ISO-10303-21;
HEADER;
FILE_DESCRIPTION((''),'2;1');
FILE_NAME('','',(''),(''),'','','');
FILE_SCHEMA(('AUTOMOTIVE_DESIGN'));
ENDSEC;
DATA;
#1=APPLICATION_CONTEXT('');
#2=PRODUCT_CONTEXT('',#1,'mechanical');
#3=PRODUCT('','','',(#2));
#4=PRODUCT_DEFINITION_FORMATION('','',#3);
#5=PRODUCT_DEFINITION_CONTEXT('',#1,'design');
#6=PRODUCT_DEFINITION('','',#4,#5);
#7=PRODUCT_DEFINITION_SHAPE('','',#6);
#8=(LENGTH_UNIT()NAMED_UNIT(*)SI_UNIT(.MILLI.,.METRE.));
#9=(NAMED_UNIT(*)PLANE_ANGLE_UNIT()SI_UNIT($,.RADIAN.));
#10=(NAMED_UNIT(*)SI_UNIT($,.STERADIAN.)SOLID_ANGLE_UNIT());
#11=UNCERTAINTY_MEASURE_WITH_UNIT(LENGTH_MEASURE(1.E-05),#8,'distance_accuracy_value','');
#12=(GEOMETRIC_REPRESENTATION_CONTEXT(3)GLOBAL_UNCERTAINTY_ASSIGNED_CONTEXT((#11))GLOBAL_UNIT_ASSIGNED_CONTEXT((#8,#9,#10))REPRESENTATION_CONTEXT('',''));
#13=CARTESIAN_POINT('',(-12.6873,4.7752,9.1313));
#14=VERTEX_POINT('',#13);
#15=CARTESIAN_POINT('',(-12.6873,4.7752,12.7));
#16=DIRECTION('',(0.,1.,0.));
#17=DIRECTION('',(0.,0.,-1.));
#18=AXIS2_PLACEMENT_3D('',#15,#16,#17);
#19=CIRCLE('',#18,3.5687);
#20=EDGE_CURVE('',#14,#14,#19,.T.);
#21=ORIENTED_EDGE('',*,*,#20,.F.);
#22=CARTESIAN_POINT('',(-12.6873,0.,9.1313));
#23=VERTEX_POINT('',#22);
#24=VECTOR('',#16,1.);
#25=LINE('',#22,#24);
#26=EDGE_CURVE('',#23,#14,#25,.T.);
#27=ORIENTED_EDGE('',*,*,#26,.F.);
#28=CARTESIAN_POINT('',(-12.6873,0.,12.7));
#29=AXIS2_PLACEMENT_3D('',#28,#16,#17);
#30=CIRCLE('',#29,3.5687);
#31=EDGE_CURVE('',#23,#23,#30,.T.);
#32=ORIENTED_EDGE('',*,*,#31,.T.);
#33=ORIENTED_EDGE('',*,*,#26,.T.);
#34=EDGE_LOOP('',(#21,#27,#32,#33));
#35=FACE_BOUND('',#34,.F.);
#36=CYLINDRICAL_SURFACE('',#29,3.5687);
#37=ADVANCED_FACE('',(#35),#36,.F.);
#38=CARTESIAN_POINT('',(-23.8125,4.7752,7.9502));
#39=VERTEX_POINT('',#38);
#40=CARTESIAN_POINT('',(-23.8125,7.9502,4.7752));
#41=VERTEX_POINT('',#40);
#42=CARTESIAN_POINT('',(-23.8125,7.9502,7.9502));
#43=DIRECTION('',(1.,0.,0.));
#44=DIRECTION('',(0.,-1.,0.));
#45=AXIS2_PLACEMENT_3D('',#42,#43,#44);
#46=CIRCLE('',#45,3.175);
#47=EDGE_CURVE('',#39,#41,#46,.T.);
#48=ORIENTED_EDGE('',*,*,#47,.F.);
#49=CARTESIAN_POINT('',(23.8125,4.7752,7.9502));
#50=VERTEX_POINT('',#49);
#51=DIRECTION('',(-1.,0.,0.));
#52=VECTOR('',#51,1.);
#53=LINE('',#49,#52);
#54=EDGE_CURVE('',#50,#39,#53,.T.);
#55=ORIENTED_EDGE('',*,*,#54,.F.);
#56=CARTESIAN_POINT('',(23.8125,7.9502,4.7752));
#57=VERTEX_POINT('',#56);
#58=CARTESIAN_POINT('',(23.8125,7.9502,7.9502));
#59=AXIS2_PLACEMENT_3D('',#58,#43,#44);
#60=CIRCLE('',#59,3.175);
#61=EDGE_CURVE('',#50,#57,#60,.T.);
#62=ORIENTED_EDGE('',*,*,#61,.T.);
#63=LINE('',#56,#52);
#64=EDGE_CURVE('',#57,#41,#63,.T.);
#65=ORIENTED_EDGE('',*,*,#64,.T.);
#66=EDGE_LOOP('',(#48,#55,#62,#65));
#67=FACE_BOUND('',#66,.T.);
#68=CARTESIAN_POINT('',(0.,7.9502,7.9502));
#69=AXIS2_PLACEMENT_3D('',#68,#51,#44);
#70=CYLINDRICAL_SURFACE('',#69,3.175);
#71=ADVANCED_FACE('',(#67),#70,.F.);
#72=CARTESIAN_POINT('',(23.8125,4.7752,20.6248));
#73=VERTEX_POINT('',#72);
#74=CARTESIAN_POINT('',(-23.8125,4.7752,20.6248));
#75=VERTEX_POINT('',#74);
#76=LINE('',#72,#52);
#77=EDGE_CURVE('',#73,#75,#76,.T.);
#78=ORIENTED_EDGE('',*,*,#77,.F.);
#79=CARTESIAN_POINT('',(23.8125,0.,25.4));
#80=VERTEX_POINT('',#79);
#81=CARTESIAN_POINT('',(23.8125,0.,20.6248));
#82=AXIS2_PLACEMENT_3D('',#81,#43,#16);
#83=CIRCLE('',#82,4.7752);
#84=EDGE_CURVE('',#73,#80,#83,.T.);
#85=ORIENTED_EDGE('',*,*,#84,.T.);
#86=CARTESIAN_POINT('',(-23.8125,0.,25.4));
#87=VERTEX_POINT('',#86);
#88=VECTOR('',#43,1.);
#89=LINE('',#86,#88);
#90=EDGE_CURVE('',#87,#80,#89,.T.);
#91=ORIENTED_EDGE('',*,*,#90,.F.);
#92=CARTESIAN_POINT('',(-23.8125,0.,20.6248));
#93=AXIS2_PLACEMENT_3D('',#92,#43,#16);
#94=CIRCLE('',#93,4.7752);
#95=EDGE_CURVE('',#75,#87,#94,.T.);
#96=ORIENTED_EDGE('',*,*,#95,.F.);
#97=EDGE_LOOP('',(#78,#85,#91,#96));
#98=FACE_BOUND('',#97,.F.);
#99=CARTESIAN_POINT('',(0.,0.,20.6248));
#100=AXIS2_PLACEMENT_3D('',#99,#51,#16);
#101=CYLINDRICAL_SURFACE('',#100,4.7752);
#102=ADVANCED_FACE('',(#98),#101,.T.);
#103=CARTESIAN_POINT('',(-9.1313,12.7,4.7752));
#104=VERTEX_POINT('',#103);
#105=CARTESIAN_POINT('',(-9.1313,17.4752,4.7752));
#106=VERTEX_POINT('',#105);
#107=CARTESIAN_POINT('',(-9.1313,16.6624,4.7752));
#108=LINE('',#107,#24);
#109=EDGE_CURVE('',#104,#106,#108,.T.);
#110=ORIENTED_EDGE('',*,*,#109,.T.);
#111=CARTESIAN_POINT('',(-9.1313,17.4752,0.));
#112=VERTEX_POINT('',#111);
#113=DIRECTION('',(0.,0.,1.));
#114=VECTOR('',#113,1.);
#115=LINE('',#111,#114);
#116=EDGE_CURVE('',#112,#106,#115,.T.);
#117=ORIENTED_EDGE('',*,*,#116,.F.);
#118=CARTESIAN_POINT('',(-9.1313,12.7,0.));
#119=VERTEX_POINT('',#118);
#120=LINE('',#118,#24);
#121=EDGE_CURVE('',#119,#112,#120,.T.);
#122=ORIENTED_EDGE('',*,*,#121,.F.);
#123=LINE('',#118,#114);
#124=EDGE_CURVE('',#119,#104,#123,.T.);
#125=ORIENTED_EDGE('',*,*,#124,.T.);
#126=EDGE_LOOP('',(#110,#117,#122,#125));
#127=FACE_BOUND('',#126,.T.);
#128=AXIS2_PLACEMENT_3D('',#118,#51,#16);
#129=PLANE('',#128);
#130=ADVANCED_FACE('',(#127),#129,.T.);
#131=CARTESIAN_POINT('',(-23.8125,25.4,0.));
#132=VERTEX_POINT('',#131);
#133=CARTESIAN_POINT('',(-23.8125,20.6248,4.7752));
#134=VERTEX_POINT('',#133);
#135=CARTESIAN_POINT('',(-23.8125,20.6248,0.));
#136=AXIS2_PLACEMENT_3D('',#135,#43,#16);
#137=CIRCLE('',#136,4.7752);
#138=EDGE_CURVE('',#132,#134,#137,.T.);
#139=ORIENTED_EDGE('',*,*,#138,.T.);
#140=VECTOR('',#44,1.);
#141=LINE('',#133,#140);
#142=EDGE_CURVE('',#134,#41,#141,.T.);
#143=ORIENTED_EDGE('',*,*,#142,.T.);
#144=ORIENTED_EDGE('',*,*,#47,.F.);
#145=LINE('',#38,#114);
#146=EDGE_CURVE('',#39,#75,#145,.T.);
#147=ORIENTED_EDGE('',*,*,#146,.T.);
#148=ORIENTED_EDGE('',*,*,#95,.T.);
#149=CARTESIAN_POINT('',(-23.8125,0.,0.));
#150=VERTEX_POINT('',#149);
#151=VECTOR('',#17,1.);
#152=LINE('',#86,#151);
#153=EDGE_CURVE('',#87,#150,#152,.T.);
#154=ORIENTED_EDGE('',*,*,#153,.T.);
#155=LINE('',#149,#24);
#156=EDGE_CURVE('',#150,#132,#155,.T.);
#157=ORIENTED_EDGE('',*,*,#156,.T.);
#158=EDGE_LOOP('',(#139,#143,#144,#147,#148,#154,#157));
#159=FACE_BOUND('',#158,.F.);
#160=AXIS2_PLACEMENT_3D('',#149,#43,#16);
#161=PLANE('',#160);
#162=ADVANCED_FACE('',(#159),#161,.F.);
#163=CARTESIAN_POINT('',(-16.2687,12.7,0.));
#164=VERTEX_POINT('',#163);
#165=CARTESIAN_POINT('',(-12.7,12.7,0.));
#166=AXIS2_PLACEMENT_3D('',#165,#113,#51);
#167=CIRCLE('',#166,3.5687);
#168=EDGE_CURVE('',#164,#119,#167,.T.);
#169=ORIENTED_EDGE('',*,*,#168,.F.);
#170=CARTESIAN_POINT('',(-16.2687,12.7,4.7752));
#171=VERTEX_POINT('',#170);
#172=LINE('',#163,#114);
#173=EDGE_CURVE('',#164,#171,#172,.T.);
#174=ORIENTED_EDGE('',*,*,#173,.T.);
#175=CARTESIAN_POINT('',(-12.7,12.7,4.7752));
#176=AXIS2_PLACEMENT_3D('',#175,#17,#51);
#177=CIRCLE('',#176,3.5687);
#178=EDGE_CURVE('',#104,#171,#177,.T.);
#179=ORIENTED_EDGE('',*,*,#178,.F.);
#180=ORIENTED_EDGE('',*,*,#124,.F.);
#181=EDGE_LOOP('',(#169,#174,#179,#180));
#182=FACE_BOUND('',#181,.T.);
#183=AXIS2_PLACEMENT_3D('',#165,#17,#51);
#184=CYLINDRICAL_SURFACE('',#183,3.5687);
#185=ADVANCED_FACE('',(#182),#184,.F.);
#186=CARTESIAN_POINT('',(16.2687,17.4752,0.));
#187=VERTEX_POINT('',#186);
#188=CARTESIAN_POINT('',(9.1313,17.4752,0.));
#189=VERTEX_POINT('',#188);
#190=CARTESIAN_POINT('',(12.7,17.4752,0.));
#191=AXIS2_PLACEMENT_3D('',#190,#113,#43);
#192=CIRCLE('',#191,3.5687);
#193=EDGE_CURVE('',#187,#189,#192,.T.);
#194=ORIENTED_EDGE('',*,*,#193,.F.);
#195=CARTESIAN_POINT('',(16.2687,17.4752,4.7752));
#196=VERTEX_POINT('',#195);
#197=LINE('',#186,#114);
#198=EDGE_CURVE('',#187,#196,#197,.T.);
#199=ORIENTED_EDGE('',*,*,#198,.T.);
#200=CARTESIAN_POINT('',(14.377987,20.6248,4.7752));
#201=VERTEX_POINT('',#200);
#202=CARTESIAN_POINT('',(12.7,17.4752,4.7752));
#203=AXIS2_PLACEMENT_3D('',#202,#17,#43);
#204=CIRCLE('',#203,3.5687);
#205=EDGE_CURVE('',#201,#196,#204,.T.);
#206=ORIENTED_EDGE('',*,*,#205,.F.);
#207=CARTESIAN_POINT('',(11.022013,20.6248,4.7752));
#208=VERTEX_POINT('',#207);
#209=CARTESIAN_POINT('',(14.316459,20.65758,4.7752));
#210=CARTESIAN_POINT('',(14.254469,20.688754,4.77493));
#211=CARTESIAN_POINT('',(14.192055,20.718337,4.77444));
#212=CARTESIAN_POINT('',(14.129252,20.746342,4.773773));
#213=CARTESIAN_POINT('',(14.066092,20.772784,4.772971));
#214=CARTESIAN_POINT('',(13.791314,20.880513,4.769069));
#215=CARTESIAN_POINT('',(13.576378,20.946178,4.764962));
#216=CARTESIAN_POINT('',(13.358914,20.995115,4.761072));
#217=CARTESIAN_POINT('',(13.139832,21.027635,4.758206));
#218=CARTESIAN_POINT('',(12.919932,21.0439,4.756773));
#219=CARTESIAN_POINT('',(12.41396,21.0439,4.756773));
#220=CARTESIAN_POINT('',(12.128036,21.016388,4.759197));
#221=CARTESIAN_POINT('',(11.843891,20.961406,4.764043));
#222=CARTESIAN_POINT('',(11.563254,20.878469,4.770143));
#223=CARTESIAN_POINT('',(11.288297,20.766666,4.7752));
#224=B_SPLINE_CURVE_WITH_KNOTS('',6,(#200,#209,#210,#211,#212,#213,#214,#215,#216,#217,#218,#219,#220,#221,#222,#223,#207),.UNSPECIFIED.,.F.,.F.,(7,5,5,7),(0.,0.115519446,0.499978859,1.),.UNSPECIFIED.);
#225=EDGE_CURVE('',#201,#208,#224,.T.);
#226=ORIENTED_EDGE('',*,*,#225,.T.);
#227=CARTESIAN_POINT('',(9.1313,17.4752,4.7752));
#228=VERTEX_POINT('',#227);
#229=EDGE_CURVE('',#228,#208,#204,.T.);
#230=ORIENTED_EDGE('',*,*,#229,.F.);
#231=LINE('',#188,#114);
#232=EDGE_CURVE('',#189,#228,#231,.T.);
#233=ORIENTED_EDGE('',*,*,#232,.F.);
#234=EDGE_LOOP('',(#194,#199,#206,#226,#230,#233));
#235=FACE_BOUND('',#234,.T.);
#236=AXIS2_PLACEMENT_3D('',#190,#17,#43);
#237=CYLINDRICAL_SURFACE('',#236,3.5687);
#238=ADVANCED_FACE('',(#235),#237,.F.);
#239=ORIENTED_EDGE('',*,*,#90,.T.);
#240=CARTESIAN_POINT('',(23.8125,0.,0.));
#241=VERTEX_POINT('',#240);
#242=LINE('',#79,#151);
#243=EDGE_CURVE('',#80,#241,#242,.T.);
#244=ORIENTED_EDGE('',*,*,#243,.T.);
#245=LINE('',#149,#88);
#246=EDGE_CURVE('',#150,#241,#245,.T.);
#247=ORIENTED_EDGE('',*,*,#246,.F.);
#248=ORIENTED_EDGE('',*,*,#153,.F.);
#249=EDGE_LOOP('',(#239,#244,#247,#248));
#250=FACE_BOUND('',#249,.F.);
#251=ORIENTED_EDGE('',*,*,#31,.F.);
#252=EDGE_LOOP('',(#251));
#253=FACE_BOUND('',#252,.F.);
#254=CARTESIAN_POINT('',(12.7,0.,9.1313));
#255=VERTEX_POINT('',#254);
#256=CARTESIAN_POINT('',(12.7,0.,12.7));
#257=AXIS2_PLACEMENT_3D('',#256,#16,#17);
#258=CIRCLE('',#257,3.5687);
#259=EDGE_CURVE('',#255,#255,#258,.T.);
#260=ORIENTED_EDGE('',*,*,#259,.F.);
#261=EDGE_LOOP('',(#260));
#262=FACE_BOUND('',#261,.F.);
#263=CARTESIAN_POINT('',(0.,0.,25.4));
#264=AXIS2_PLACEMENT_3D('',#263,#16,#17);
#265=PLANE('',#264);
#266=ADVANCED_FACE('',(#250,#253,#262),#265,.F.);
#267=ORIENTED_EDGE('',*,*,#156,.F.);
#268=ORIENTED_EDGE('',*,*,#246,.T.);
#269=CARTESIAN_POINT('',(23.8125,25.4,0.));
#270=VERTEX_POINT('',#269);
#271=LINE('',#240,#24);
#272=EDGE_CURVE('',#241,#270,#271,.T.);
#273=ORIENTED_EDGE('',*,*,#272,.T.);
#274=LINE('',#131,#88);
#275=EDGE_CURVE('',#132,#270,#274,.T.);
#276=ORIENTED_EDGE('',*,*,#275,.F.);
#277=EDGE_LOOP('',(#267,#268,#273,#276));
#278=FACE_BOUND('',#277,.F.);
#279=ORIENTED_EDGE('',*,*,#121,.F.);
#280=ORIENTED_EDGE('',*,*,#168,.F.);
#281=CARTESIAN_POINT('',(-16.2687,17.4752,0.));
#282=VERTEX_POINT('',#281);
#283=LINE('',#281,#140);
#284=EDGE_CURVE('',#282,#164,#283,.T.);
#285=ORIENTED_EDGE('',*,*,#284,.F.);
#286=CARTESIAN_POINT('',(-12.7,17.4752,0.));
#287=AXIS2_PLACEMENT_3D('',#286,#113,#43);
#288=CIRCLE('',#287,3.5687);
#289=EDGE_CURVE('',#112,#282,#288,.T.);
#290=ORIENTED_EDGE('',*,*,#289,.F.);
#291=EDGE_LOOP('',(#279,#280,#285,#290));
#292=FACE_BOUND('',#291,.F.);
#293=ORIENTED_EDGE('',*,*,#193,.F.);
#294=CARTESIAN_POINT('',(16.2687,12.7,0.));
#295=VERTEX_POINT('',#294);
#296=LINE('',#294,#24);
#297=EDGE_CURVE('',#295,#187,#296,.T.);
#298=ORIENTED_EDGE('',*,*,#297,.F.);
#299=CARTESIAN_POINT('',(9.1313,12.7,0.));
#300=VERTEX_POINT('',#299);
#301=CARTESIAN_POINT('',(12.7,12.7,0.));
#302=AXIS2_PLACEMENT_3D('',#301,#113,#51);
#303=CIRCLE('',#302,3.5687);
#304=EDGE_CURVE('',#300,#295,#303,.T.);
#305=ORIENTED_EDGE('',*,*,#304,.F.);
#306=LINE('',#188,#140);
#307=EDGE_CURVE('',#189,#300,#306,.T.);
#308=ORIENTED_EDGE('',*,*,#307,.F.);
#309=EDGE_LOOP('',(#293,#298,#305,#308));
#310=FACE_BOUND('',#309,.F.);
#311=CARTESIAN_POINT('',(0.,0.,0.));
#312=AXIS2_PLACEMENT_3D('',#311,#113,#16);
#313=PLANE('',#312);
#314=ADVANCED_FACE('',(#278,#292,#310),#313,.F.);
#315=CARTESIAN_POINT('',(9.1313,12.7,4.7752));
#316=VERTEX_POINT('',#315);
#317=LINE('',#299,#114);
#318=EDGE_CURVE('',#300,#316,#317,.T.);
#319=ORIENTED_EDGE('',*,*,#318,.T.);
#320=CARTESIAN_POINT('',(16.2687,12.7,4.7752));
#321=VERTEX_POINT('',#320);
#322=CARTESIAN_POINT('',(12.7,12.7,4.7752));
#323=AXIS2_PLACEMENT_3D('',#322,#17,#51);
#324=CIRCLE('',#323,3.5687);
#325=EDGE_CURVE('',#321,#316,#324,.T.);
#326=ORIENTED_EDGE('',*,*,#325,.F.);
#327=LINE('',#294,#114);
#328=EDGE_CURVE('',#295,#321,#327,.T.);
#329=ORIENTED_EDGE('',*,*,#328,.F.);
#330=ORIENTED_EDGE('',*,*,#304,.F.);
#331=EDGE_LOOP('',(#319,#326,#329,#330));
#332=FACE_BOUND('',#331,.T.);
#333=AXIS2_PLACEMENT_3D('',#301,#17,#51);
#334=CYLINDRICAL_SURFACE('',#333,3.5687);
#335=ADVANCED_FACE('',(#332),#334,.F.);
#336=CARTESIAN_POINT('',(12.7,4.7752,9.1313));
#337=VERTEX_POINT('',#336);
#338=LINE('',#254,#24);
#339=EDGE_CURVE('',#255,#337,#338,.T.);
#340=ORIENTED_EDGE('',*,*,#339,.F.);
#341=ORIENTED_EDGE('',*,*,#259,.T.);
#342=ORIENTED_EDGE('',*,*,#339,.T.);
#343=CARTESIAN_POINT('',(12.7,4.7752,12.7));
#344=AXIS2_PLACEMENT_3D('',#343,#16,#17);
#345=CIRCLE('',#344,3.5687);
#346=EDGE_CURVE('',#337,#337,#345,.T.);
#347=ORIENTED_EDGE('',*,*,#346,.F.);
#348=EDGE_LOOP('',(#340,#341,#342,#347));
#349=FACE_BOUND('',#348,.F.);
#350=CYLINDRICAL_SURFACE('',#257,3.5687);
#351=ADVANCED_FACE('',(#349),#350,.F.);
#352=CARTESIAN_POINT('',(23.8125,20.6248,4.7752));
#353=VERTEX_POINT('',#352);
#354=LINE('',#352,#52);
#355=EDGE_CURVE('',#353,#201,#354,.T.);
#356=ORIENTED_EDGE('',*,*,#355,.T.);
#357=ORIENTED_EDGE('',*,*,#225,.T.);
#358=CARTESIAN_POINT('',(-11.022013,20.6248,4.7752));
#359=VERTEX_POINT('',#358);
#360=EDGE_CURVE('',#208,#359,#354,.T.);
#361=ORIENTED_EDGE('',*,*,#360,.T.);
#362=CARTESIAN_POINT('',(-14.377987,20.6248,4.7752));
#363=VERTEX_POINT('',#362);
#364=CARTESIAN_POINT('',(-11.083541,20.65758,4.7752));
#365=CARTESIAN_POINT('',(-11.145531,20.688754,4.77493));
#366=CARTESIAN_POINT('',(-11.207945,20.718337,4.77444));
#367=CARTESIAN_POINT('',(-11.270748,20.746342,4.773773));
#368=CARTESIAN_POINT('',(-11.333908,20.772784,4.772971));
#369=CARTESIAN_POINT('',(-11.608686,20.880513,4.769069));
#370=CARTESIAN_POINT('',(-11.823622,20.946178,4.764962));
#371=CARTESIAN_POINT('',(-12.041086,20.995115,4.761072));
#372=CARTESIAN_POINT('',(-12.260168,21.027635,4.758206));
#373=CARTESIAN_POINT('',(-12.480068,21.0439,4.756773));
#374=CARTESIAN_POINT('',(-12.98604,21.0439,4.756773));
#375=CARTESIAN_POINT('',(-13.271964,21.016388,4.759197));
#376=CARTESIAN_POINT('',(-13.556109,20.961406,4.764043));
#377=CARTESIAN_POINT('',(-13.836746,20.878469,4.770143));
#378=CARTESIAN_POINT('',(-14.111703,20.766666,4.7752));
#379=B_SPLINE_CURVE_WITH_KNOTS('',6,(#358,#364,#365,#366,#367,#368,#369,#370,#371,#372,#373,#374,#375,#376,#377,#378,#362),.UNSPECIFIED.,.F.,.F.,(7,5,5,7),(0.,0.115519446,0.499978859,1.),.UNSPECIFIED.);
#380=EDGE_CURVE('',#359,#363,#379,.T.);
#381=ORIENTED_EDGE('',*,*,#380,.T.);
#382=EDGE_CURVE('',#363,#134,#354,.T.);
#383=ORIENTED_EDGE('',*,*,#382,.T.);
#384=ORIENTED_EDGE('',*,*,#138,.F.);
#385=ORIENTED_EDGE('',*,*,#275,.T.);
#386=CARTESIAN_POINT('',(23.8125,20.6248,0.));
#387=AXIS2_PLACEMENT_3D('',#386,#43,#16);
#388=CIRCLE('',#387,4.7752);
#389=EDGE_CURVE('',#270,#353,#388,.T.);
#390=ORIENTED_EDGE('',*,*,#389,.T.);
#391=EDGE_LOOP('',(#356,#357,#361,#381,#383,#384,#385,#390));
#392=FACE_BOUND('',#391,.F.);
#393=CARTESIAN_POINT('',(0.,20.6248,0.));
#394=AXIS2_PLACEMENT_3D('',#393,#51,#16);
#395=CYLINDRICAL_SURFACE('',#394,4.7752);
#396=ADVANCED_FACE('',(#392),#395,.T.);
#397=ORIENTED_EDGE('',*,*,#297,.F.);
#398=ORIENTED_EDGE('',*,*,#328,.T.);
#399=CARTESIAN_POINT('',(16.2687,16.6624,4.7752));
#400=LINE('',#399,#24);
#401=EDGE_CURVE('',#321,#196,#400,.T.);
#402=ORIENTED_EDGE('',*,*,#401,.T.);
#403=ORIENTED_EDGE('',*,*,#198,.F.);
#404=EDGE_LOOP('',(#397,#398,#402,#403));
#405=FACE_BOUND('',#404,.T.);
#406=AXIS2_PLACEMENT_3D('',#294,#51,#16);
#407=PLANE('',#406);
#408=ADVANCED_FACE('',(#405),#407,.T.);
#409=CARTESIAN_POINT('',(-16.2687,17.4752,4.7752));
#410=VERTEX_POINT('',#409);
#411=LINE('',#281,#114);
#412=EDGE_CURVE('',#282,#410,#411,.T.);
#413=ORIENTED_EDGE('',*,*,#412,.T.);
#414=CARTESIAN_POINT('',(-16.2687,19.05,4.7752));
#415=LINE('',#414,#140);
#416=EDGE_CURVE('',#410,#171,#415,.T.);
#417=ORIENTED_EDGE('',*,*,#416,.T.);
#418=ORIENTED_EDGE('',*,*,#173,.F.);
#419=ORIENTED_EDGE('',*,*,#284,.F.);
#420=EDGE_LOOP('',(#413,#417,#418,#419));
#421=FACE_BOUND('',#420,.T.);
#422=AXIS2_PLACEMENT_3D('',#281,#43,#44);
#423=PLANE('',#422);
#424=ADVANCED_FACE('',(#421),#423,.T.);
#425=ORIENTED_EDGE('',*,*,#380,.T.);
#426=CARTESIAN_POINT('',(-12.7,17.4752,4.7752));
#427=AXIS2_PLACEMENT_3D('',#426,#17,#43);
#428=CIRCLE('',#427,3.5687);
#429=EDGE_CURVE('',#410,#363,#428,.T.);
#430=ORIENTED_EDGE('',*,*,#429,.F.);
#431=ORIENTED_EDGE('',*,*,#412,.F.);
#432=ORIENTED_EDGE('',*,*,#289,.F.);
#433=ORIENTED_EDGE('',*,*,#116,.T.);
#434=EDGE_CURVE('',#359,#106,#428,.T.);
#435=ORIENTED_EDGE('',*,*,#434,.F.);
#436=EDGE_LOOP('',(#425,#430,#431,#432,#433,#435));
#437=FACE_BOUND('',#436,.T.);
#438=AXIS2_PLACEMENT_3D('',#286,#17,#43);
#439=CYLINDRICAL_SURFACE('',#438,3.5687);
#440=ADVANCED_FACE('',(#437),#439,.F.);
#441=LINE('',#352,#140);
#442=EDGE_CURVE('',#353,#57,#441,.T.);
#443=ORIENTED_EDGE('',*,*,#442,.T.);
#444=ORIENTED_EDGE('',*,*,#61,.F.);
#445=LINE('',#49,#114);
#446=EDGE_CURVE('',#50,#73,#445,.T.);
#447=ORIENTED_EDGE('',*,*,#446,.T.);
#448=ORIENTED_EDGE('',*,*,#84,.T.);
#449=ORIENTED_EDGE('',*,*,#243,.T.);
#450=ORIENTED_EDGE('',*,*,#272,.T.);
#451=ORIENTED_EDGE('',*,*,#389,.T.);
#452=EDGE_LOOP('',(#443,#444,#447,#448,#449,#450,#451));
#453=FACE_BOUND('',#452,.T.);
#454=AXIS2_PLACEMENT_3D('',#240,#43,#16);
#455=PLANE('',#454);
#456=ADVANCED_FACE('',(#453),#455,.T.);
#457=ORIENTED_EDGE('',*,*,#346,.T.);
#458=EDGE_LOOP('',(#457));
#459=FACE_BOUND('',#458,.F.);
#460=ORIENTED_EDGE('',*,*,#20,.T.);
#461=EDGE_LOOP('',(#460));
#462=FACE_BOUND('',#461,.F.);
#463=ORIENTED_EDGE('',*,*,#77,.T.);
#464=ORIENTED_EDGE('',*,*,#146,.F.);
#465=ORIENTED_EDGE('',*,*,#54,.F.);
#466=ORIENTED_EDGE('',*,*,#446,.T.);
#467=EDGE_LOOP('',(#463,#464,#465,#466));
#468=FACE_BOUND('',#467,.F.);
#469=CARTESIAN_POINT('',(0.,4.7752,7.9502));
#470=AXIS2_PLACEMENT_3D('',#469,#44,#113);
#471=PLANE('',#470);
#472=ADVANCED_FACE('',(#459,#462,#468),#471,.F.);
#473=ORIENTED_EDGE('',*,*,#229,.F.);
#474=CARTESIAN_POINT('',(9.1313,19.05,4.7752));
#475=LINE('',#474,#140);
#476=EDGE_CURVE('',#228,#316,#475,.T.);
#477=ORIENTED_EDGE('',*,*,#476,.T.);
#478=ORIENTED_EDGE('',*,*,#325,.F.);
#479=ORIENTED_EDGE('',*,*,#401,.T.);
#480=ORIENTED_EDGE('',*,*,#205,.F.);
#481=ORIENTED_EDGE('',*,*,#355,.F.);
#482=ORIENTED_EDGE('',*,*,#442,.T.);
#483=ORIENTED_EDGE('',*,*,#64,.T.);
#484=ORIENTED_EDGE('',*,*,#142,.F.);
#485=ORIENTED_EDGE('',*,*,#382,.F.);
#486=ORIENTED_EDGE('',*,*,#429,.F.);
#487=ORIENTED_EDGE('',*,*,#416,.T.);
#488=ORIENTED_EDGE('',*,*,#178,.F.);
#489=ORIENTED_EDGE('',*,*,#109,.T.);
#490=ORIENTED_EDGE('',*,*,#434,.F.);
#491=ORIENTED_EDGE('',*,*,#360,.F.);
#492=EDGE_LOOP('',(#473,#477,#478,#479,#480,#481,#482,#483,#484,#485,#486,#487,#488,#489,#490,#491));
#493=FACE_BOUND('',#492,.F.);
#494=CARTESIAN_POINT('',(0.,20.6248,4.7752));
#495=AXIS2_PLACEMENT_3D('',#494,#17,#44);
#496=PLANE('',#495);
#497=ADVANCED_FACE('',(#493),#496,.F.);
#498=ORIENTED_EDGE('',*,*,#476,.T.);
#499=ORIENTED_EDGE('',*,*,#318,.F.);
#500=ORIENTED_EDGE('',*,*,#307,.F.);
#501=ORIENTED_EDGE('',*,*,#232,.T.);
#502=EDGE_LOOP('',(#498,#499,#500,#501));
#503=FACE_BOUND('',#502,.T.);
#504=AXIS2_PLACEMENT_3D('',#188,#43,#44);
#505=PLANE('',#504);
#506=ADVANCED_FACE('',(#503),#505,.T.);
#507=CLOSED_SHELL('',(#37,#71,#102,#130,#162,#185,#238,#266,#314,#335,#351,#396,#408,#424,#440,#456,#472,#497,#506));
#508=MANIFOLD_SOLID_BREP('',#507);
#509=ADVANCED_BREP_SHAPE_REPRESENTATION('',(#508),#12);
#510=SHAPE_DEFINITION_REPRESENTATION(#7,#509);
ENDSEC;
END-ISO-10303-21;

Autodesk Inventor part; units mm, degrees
ref_plane "YZ Plane" through (0, 0, 0) normal (1, 0, 0) x (0, 1, 0)
ref_plane "XZ Plane" through (0, 0, 0) normal (0, 1, 0) x (-1, 0, 0)
ref_plane "XY Plane" through (0, 0, 0) normal (0, 0, 1) x (1, 0, 0)
sketch "Sketch_1" plane through (0, 0, 0) normal (1, 0, 0) x (0, 1, 0)
  line L0 (0, 25.4) -> (0, 0)
  line L1 (0, 0) -> (25.4, 0)
  arc A0 (25.4, 0) -> (20.6248, 4.7752) centre (20.6248, 0) ccw
  line L2 (20.6248, 4.7752) -> (7.9502, 4.7752)
  arc A1 (4.7752, 7.9502) -> (7.9502, 4.7752) centre (7.9502, 7.9502) ccw
  line L3 (4.7752, 7.9502) -> (4.7752, 20.6248)
  arc A2 (4.7752, 20.6248) -> (0, 25.4) centre (0, 20.6248) ccw
extrude "Extrusion1" add sketch "Sketch_1" along normal mid plane 47.625
sketch "Sketch2" plane through (-23.8125, 0, 0) normal (0, -1, 0) x (1, 0, 0)
  point P0 (36.5125, 12.7)
hole "Hole1" at (12.7, 0, 12.7) direction (0, 1, 0) diameter 7.1374 depth 10.4648
sketch "Sketch3" plane through (-23.8125, 0, 0) normal (0, -1, 0) x (1, 0, 0)
  point P0 (11.1252, 12.7)
hole "Hole2" at (-12.6873, 0, 12.7) direction (0, 1, 0) diameter 7.1374 depth 10.4648
sketch "Sketch_2" plane through (0, 0, 0) normal (0, 0, 1) x (1, 0, 0)
  arc A0 (9.1313, 12.7) -> (16.2687, 12.7) centre (12.7, 12.7) ccw
  line L0 (16.2687, 12.7) -> (16.2687, 17.4752)
  arc A1 (16.2687, 17.4752) -> (9.1313, 17.4752) centre (12.7, 17.4752) ccw
  line L1 (9.1313, 17.4752) -> (9.1313, 12.7)
extrude "Extrusion2" cut sketch "Sketch_2" along normal blind 7.1628
sketch "Sketch_3" plane through (0, 0, 0) normal (0, 0, 1) x (1, 0, 0)
  arc A0 (-16.2687, 12.7) -> (-9.1313, 12.7) centre (-12.7, 12.7) ccw
  line L0 (-9.1313, 12.7) -> (-9.1313, 17.4752)
  arc A1 (-9.1313, 17.4752) -> (-16.2687, 17.4752) centre (-12.7, 17.4752) ccw
  line L1 (-16.2687, 17.4752) -> (-16.2687, 12.7)
extrude "Extrusion3" cut sketch "Sketch_3" along normal blind 7.1628
properties part number "4260"
